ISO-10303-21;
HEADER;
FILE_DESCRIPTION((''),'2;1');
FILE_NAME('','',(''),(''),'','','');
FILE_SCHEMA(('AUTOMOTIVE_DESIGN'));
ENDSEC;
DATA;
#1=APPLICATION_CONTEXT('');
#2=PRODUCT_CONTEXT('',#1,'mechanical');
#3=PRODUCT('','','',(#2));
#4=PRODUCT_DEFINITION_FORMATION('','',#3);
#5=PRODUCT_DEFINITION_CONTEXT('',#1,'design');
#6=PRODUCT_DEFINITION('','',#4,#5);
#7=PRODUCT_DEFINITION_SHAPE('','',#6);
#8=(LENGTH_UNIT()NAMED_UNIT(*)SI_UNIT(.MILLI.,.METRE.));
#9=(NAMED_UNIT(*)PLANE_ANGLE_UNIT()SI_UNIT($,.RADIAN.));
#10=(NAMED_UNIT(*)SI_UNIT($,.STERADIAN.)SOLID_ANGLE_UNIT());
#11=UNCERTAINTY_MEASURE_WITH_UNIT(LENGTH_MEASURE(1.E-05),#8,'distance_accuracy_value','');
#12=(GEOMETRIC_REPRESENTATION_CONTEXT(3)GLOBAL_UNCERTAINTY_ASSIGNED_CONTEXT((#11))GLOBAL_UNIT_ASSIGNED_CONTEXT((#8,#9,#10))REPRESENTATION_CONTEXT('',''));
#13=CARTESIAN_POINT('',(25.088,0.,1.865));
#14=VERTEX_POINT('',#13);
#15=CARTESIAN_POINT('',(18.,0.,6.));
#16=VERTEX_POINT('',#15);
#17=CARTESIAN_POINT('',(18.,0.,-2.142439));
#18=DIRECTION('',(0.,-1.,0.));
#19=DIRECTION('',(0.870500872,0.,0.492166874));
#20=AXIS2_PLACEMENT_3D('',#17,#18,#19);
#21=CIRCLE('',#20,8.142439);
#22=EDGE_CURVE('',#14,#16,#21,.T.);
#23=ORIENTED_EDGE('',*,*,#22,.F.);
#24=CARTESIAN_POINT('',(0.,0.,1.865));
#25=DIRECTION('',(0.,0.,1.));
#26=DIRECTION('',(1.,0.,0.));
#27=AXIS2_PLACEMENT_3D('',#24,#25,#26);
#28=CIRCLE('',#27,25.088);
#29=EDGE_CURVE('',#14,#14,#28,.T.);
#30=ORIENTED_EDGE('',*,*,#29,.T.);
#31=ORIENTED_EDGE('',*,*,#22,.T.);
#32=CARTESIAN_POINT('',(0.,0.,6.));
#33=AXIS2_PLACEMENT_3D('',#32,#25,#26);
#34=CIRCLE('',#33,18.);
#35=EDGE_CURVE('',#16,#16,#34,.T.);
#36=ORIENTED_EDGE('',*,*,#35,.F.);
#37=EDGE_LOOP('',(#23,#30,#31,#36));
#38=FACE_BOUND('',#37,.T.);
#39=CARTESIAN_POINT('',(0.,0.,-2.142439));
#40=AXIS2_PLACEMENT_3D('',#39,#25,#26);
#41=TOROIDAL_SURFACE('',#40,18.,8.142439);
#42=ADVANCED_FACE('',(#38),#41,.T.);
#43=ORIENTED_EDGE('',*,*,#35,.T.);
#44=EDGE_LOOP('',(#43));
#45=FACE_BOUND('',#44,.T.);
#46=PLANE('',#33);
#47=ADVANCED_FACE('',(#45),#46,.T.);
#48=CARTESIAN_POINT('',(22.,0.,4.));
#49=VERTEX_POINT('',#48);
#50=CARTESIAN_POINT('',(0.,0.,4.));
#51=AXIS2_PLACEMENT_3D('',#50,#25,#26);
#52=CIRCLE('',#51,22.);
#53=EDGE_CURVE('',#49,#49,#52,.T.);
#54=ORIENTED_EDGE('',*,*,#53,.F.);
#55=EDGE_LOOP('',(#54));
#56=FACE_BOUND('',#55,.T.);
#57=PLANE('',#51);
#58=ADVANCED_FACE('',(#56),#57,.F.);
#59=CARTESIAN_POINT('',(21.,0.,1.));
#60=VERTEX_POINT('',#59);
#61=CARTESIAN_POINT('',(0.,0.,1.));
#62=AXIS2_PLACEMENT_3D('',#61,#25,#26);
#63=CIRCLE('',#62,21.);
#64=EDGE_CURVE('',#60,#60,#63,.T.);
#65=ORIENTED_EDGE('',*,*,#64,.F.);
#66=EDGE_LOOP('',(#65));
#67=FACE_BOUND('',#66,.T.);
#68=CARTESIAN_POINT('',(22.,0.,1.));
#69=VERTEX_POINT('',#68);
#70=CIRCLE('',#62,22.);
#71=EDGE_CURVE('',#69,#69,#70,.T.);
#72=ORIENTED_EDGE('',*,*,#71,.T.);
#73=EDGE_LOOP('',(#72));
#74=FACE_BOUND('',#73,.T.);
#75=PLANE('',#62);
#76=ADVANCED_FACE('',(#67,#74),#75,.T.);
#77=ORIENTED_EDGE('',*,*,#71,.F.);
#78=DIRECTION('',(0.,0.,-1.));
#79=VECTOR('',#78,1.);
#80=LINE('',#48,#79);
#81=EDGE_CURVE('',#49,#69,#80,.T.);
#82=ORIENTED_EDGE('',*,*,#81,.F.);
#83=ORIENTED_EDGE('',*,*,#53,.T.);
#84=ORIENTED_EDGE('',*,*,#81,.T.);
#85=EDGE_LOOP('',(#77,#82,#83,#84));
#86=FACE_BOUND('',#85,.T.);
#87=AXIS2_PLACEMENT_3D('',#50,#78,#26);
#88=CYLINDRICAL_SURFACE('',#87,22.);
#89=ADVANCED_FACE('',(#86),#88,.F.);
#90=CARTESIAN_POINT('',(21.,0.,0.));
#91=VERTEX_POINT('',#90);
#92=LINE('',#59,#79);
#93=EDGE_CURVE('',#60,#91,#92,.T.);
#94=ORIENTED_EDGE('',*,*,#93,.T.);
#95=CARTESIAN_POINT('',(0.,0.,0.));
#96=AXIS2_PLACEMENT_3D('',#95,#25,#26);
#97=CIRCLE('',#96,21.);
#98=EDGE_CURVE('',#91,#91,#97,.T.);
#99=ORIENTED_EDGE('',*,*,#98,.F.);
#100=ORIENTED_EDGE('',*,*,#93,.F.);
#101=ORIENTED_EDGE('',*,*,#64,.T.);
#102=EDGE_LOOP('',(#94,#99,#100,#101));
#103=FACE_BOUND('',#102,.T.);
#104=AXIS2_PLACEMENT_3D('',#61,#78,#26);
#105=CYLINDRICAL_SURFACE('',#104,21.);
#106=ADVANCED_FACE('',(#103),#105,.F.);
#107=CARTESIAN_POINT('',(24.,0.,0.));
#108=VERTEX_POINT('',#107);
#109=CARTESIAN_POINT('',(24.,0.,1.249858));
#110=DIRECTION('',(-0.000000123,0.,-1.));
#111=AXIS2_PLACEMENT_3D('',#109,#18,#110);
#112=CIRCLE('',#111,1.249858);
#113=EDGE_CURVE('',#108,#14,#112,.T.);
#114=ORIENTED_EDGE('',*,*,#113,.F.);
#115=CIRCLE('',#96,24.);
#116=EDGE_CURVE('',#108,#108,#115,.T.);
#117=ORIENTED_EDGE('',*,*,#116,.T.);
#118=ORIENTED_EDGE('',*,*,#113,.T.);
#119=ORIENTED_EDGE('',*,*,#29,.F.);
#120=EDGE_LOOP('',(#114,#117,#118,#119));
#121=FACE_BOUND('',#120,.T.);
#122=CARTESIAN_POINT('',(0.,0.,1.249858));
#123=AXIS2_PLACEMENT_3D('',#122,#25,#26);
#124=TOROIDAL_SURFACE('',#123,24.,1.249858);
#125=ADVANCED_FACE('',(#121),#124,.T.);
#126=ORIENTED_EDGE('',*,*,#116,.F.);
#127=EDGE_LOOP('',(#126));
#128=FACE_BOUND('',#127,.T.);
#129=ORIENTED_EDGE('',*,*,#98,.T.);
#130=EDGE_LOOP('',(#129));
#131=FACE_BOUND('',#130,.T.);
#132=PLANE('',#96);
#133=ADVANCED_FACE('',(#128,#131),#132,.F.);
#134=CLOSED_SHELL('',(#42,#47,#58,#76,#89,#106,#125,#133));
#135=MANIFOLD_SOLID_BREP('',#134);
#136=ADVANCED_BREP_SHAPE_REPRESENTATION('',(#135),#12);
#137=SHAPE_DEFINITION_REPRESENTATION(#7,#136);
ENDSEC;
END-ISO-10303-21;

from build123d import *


with BuildPart() as f1:
    # F0 (on Front) → F1 (revolve)
    with BuildSketch(Plane.XZ):
        with BuildLine():
            Line((21, 0), (24, 0))
            Line((24, 0), (24, 1.865))
            Line((24, 1.865), (25.088, 1.865))
            ThreePointArc((25.088, 1.865), (22.102986, 4.890684), (18, 6))
            Line((18, 6), (0, 6))
            Line((0, 6), (0, 4))
            Line((0, 4), (22, 4))
            Line((22, 4), (22, 1))
            Line((22, 1), (21, 1))
            Line((21, 1), (21, 0))
        make_face()
        with BuildLine():
            Line((24, 1.865), (24, 0))
            ThreePointArc((24, 0), (25.07958, 0.620055), (25.088, 1.865))
            Line((25.088, 1.865), (24, 1.865))
        make_face()
    revolve(axis=Axis((0, 0, 5), (0, 0, 1)))


solid = f1.part
